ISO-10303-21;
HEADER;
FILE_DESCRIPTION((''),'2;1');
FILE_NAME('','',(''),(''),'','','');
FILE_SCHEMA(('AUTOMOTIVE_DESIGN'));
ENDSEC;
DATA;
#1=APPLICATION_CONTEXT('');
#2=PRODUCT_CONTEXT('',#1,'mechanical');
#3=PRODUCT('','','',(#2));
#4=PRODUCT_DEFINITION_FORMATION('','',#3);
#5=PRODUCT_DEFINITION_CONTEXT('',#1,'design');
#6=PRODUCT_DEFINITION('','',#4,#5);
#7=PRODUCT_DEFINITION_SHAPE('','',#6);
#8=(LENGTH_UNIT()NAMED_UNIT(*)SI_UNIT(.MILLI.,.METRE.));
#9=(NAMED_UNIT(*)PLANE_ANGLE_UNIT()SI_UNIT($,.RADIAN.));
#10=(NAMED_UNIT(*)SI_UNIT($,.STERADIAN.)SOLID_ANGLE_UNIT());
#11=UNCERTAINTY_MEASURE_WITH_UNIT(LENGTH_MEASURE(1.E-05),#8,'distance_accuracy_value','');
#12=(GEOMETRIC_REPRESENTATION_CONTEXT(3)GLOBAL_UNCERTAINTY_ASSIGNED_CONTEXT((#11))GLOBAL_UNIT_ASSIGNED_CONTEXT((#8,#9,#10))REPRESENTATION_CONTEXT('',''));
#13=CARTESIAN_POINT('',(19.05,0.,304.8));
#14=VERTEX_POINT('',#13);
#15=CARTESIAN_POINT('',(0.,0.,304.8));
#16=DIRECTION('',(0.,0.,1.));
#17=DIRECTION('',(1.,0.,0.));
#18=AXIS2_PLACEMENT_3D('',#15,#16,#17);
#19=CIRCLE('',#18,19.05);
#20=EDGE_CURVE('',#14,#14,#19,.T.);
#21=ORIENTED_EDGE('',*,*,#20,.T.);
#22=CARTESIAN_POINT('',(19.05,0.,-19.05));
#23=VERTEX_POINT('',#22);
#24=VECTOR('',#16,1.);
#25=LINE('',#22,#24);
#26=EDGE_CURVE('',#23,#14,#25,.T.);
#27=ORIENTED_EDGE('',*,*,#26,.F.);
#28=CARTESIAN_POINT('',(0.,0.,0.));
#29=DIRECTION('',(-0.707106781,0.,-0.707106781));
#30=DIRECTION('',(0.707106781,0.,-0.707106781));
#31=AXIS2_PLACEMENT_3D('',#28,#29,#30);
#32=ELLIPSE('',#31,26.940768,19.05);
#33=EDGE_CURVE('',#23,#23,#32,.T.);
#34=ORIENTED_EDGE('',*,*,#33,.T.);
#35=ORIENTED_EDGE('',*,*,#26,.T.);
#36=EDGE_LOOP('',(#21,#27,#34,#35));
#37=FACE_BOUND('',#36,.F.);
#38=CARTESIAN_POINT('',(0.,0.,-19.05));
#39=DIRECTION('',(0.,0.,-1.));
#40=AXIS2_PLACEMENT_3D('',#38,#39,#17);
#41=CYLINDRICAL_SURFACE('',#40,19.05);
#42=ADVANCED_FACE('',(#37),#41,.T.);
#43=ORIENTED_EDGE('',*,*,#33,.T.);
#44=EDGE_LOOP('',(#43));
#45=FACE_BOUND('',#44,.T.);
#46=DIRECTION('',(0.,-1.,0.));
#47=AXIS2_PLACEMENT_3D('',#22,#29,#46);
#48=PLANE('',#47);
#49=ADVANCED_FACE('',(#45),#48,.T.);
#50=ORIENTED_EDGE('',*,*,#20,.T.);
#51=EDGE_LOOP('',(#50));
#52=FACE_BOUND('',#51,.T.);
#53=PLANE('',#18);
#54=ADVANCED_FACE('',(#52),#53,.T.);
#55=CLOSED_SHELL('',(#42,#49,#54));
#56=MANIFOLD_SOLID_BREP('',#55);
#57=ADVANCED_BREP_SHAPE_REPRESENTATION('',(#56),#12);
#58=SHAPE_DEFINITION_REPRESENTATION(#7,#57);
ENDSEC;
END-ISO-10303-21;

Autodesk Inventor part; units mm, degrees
ref_plane "Start plane" through (0, 0, -19.05) normal (0, 0, 1) x (1, 0, 0)
ref_plane "End plane" through (0, 0, 304.8) normal (0, 0, 1) x (1, 0, 0)
sketch "Sketch" plane through (0, 0, 0) normal (0, 0, 1) x (1, 0, 0)
  circle A0 centre (0, 0) radius 19.05
  dimension "d0" = 38.1
extrude "Body" add sketch "Sketch" along normal up to surface (323.85 mm away) from surface at -19.05
sketch "Sketch2" plane through (0, 0, 0) normal (0, 0, 1) x (1, 0, 0)
  line L0 (0, 0) -> (10, 0)
ref_plane "Work Plane3" through (0, 0, 0) normal (0, -1, 0) x (1, 0, 0)
sketch "Sketch3" plane through (0, 0, 0) normal (0, -1, 0) x (1, 0, 0)
  line L0 (-2, -19.05) -> (12, -19.05)
  line L1 (-2, 304.8) -> (12, 304.8)
  dimension "d7" = 323.85
ref_plane "Work Plane4" through (19.05, 0, -19.05) normal (-0.7071, 0, -0.7071) x (-0.7071, 0, 0.7071)
split "Split1" plane through (19.05, 0, -19.05) removes the side toward (-0.7071, 0, -0.7071)
equation "\"d0\" = Diam"
equation "\"d1\" = G_L"
equation "\"Diam\" = 38.1"
equation "\"G_L\" = d7"
equation "\"G_OFFSET_START\" = 19.05"
equation "\"G_OFFSET_END\" = 0"
equation "\"d4\" = -G_OFFSET_START"
equation "\"d5\" = G_OFFSET_END + B_L"
equation "\"B_L\" = 304.8"
properties part number "ANSI/AISC Rolled Steel - 1 1/2-12.75" material "Steel, Mild"
